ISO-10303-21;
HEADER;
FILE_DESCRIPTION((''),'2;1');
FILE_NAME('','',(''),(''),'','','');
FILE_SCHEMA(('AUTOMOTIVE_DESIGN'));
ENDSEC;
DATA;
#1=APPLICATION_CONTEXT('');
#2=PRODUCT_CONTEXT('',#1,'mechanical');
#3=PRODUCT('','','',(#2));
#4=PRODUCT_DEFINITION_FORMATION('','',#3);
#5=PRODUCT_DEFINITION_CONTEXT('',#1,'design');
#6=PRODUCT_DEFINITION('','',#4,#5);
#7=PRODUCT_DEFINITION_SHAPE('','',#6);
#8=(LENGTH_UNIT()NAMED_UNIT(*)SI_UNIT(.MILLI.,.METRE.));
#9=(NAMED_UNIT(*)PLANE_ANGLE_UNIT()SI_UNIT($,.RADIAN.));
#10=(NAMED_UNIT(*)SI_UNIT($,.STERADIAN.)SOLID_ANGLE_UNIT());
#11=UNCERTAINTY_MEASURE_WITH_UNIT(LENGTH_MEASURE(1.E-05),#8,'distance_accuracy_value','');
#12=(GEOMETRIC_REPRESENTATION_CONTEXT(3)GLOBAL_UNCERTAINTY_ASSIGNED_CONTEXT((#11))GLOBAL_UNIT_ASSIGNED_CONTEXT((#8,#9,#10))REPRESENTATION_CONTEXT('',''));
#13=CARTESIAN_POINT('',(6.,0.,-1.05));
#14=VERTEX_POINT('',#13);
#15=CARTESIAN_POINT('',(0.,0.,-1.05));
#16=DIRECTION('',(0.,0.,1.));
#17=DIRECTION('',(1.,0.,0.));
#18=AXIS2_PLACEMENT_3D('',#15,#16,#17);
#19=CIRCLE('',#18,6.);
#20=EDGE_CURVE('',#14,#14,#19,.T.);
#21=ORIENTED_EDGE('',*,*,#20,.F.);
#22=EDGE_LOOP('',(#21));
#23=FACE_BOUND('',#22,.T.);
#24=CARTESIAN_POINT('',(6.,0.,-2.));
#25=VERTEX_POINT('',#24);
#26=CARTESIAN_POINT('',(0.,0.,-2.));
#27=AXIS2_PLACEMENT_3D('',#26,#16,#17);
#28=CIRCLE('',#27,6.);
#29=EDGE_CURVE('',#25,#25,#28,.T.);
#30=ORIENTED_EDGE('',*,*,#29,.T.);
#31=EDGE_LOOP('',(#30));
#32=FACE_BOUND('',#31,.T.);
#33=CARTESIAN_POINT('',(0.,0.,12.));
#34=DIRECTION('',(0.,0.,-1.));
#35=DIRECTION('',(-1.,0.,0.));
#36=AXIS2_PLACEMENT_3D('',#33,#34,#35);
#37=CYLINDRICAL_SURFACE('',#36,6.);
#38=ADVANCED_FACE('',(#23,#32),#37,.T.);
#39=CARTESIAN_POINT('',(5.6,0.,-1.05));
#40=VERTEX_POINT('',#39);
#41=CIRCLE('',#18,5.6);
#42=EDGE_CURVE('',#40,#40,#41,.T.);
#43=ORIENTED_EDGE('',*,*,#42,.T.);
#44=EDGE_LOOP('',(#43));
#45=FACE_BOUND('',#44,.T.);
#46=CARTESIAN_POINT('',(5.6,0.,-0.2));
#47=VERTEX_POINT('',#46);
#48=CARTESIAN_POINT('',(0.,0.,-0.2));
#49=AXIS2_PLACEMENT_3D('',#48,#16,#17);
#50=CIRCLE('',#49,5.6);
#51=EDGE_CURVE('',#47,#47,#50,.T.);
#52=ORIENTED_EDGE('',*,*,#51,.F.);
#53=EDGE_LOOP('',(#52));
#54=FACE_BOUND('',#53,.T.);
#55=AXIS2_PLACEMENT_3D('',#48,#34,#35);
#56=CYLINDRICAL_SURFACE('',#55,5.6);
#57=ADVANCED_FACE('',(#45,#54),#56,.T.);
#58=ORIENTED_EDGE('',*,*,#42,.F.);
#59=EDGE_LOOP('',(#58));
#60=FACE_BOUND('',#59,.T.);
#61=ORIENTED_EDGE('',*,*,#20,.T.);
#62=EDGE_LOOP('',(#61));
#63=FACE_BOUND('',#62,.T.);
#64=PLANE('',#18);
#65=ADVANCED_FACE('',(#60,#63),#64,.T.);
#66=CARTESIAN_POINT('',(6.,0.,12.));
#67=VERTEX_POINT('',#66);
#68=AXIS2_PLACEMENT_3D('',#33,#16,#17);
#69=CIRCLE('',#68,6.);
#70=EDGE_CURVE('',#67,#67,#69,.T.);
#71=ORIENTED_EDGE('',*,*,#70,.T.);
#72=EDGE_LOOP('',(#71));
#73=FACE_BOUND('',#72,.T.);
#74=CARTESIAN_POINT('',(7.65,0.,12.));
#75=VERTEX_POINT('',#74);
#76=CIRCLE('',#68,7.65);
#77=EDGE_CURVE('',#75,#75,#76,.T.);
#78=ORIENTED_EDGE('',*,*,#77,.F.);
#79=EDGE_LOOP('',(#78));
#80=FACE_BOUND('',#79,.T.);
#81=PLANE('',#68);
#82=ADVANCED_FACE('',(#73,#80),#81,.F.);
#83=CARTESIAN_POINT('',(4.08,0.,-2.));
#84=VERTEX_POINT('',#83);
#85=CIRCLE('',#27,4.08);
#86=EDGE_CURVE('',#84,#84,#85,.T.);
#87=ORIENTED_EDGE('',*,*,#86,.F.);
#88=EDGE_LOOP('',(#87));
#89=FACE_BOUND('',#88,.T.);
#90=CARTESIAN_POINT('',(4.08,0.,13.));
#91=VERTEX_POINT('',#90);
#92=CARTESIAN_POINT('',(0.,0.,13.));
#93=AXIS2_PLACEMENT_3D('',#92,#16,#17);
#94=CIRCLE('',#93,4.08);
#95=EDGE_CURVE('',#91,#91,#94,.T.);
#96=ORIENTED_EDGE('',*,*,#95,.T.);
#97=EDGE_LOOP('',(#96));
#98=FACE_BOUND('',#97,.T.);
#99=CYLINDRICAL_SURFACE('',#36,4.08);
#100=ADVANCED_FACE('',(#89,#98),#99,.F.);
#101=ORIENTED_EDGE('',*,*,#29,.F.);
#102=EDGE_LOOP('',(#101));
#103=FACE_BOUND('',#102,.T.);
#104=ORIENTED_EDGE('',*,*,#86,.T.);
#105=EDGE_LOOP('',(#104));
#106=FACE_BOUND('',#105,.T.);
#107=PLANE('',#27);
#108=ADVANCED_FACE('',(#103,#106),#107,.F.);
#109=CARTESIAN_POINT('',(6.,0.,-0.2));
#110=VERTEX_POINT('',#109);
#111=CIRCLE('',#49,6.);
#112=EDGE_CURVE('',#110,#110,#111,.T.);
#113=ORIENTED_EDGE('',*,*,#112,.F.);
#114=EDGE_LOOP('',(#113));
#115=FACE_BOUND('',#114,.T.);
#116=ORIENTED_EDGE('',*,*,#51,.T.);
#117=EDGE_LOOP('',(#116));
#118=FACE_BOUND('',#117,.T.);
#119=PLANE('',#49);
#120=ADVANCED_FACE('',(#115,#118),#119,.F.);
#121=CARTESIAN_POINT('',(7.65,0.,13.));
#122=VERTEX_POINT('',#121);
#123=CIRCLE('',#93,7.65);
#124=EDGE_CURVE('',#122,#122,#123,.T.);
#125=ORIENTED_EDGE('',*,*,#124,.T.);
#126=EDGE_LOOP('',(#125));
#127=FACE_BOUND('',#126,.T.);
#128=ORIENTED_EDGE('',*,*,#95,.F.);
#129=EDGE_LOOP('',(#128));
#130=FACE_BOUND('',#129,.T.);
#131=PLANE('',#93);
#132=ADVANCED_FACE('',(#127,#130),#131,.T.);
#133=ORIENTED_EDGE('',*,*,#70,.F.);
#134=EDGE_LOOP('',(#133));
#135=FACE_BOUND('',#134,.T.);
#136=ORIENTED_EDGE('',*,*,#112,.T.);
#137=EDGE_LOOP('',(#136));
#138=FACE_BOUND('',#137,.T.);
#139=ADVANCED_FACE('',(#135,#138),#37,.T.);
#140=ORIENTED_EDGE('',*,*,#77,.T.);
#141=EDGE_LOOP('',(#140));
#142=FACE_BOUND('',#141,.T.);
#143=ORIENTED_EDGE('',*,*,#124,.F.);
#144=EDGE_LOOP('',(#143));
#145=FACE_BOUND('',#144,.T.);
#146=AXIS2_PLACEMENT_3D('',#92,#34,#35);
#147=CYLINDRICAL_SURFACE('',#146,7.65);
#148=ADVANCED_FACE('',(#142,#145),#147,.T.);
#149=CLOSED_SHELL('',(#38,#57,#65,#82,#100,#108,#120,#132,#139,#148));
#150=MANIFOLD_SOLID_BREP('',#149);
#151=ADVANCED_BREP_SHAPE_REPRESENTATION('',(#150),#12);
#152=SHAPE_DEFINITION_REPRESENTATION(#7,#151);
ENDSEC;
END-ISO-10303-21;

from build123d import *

# Parameters (mm, degrees)
F_01_START                                = -2
S01_GROUND_GUIDE_BORE_AND_BODY_R          = 6
S01_GROUND_GUIDE_BORE_AND_BODY_R_2        = 4.08
F_01_GROUND_GUIDE_BORE_AND_BODY_DEPTH     = 14
F_02_START                                = 12
S02_OUTBOARD_FLANGE_R                     = 7.65
S02_OUTBOARD_FLANGE_R_2                   = 4.08
F_02_OUTBOARD_FLANGE_DEPTH                = 1
F_03_START                                = -1.05
S03_EXTERNAL_RETAINING_RING_GROOVE_R      = 6.1
S03_EXTERNAL_RETAINING_RING_GROOVE_R_2    = 5.6
F_03_EXTERNAL_RETAINING_RING_GROOVE_DEPTH = 0.85


with BuildPart() as part:
    # S01 - Ground guide bore and body → 01 - Ground guide bore and body (new body)
    with BuildSketch(Plane.XY.offset(F_01_START)):
        Circle(S01_GROUND_GUIDE_BORE_AND_BODY_R)
        Circle(S01_GROUND_GUIDE_BORE_AND_BODY_R_2, mode=Mode.SUBTRACT)
    extrude(amount=F_01_GROUND_GUIDE_BORE_AND_BODY_DEPTH)

    # S02 - Outboard flange → 02 - Outboard flange (add)
    with BuildSketch(Plane.XY.offset(F_02_START)):
        Circle(S02_OUTBOARD_FLANGE_R)
        Circle(S02_OUTBOARD_FLANGE_R_2, mode=Mode.SUBTRACT)
    extrude(amount=F_02_OUTBOARD_FLANGE_DEPTH)

    # S03 - External retaining ring groove → 03 - External retaining ring groove (cut)
    with BuildSketch(Plane.XY.offset(F_03_START)):
        Circle(S03_EXTERNAL_RETAINING_RING_GROOVE_R)
        Circle(S03_EXTERNAL_RETAINING_RING_GROOVE_R_2, mode=Mode.SUBTRACT)
    extrude(amount=F_03_EXTERNAL_RETAINING_RING_GROOVE_DEPTH, mode=Mode.SUBTRACT)


solid = part.part
